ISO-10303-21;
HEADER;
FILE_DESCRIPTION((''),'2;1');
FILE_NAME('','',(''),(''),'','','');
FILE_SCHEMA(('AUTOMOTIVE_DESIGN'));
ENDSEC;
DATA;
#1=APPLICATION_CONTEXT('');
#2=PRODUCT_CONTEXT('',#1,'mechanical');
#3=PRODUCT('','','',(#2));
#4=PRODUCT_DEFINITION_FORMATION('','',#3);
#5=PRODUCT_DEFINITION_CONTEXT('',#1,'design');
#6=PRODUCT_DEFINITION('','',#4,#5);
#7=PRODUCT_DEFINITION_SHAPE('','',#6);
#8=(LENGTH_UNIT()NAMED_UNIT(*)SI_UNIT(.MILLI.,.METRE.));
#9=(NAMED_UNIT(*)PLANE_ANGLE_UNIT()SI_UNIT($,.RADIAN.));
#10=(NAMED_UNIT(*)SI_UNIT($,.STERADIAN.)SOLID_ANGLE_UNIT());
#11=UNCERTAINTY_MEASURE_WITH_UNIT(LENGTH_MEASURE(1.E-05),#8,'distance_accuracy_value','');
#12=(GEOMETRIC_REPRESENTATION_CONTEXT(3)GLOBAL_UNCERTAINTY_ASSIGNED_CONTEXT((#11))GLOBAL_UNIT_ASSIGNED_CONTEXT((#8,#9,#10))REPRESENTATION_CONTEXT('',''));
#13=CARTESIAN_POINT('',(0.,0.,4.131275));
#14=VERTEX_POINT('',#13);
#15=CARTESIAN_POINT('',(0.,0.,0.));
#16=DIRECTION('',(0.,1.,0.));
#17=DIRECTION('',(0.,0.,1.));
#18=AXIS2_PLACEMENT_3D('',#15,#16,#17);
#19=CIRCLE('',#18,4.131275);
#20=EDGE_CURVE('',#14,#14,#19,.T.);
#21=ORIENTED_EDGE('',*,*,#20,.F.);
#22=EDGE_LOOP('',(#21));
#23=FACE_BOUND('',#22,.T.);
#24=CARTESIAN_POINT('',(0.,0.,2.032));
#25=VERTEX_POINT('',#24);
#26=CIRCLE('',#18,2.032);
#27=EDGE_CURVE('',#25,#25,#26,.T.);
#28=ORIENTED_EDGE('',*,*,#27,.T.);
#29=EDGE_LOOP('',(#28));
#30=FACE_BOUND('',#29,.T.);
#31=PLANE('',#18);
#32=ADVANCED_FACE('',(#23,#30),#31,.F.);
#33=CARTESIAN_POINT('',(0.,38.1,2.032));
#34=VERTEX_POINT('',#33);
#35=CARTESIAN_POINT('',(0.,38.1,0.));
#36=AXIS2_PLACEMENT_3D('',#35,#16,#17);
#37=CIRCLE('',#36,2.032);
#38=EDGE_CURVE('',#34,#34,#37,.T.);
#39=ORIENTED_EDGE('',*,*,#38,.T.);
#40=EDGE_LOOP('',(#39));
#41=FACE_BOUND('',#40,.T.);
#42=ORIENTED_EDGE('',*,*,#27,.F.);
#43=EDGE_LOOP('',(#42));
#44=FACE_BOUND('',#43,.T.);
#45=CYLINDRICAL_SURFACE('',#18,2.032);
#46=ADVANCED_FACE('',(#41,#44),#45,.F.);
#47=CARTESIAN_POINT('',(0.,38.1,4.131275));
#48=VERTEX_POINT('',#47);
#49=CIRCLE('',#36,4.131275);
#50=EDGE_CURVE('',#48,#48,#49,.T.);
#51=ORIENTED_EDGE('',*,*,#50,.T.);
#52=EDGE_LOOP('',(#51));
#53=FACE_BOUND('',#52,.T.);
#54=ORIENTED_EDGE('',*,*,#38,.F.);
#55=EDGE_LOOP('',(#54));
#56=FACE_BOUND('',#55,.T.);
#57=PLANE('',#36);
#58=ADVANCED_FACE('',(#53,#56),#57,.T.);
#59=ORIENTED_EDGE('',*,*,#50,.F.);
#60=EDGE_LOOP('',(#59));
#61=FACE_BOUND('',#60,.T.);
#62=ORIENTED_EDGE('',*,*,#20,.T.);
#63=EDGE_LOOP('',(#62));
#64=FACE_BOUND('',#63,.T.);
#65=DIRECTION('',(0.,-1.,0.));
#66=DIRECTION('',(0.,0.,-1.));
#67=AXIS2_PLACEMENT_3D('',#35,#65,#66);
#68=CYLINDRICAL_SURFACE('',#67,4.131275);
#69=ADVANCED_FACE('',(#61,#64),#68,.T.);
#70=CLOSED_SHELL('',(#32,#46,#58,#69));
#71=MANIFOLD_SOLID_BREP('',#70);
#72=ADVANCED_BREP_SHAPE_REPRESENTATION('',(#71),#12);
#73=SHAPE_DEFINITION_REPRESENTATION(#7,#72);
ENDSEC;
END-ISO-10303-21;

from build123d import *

# Parameters (mm, degrees)
SKETCH6_R           = 4.131274567
BOSS_EXTRUDE4_DEPTH = 38.1
SKETCH7_R           = 2.032
CUT_EXTRUDE2_DEPTH  = 38.1


with BuildPart() as part:
    # Sketch6 → Boss-Extrude4 (new body)
    with BuildSketch(Plane(origin=(0, 0, 0), x_dir=(1, 0, 0), z_dir=(0, 1, 0))):
        with Locations(Location((0, 0, 0), (0, 0, 270))):
            Circle(SKETCH6_R)
    extrude(amount=BOSS_EXTRUDE4_DEPTH)

    # Sketch7 → Cut-Extrude2 (cut)
    with BuildSketch(Plane(origin=(0, 38.1, 0), x_dir=(1, 0, 0), z_dir=(0, 1, 0))):
        with Locations(Location((0, 0, 0), (0, 0, 270))):
            Circle(SKETCH7_R)
    extrude(amount=-CUT_EXTRUDE2_DEPTH, mode=Mode.SUBTRACT)


solid = part.part
